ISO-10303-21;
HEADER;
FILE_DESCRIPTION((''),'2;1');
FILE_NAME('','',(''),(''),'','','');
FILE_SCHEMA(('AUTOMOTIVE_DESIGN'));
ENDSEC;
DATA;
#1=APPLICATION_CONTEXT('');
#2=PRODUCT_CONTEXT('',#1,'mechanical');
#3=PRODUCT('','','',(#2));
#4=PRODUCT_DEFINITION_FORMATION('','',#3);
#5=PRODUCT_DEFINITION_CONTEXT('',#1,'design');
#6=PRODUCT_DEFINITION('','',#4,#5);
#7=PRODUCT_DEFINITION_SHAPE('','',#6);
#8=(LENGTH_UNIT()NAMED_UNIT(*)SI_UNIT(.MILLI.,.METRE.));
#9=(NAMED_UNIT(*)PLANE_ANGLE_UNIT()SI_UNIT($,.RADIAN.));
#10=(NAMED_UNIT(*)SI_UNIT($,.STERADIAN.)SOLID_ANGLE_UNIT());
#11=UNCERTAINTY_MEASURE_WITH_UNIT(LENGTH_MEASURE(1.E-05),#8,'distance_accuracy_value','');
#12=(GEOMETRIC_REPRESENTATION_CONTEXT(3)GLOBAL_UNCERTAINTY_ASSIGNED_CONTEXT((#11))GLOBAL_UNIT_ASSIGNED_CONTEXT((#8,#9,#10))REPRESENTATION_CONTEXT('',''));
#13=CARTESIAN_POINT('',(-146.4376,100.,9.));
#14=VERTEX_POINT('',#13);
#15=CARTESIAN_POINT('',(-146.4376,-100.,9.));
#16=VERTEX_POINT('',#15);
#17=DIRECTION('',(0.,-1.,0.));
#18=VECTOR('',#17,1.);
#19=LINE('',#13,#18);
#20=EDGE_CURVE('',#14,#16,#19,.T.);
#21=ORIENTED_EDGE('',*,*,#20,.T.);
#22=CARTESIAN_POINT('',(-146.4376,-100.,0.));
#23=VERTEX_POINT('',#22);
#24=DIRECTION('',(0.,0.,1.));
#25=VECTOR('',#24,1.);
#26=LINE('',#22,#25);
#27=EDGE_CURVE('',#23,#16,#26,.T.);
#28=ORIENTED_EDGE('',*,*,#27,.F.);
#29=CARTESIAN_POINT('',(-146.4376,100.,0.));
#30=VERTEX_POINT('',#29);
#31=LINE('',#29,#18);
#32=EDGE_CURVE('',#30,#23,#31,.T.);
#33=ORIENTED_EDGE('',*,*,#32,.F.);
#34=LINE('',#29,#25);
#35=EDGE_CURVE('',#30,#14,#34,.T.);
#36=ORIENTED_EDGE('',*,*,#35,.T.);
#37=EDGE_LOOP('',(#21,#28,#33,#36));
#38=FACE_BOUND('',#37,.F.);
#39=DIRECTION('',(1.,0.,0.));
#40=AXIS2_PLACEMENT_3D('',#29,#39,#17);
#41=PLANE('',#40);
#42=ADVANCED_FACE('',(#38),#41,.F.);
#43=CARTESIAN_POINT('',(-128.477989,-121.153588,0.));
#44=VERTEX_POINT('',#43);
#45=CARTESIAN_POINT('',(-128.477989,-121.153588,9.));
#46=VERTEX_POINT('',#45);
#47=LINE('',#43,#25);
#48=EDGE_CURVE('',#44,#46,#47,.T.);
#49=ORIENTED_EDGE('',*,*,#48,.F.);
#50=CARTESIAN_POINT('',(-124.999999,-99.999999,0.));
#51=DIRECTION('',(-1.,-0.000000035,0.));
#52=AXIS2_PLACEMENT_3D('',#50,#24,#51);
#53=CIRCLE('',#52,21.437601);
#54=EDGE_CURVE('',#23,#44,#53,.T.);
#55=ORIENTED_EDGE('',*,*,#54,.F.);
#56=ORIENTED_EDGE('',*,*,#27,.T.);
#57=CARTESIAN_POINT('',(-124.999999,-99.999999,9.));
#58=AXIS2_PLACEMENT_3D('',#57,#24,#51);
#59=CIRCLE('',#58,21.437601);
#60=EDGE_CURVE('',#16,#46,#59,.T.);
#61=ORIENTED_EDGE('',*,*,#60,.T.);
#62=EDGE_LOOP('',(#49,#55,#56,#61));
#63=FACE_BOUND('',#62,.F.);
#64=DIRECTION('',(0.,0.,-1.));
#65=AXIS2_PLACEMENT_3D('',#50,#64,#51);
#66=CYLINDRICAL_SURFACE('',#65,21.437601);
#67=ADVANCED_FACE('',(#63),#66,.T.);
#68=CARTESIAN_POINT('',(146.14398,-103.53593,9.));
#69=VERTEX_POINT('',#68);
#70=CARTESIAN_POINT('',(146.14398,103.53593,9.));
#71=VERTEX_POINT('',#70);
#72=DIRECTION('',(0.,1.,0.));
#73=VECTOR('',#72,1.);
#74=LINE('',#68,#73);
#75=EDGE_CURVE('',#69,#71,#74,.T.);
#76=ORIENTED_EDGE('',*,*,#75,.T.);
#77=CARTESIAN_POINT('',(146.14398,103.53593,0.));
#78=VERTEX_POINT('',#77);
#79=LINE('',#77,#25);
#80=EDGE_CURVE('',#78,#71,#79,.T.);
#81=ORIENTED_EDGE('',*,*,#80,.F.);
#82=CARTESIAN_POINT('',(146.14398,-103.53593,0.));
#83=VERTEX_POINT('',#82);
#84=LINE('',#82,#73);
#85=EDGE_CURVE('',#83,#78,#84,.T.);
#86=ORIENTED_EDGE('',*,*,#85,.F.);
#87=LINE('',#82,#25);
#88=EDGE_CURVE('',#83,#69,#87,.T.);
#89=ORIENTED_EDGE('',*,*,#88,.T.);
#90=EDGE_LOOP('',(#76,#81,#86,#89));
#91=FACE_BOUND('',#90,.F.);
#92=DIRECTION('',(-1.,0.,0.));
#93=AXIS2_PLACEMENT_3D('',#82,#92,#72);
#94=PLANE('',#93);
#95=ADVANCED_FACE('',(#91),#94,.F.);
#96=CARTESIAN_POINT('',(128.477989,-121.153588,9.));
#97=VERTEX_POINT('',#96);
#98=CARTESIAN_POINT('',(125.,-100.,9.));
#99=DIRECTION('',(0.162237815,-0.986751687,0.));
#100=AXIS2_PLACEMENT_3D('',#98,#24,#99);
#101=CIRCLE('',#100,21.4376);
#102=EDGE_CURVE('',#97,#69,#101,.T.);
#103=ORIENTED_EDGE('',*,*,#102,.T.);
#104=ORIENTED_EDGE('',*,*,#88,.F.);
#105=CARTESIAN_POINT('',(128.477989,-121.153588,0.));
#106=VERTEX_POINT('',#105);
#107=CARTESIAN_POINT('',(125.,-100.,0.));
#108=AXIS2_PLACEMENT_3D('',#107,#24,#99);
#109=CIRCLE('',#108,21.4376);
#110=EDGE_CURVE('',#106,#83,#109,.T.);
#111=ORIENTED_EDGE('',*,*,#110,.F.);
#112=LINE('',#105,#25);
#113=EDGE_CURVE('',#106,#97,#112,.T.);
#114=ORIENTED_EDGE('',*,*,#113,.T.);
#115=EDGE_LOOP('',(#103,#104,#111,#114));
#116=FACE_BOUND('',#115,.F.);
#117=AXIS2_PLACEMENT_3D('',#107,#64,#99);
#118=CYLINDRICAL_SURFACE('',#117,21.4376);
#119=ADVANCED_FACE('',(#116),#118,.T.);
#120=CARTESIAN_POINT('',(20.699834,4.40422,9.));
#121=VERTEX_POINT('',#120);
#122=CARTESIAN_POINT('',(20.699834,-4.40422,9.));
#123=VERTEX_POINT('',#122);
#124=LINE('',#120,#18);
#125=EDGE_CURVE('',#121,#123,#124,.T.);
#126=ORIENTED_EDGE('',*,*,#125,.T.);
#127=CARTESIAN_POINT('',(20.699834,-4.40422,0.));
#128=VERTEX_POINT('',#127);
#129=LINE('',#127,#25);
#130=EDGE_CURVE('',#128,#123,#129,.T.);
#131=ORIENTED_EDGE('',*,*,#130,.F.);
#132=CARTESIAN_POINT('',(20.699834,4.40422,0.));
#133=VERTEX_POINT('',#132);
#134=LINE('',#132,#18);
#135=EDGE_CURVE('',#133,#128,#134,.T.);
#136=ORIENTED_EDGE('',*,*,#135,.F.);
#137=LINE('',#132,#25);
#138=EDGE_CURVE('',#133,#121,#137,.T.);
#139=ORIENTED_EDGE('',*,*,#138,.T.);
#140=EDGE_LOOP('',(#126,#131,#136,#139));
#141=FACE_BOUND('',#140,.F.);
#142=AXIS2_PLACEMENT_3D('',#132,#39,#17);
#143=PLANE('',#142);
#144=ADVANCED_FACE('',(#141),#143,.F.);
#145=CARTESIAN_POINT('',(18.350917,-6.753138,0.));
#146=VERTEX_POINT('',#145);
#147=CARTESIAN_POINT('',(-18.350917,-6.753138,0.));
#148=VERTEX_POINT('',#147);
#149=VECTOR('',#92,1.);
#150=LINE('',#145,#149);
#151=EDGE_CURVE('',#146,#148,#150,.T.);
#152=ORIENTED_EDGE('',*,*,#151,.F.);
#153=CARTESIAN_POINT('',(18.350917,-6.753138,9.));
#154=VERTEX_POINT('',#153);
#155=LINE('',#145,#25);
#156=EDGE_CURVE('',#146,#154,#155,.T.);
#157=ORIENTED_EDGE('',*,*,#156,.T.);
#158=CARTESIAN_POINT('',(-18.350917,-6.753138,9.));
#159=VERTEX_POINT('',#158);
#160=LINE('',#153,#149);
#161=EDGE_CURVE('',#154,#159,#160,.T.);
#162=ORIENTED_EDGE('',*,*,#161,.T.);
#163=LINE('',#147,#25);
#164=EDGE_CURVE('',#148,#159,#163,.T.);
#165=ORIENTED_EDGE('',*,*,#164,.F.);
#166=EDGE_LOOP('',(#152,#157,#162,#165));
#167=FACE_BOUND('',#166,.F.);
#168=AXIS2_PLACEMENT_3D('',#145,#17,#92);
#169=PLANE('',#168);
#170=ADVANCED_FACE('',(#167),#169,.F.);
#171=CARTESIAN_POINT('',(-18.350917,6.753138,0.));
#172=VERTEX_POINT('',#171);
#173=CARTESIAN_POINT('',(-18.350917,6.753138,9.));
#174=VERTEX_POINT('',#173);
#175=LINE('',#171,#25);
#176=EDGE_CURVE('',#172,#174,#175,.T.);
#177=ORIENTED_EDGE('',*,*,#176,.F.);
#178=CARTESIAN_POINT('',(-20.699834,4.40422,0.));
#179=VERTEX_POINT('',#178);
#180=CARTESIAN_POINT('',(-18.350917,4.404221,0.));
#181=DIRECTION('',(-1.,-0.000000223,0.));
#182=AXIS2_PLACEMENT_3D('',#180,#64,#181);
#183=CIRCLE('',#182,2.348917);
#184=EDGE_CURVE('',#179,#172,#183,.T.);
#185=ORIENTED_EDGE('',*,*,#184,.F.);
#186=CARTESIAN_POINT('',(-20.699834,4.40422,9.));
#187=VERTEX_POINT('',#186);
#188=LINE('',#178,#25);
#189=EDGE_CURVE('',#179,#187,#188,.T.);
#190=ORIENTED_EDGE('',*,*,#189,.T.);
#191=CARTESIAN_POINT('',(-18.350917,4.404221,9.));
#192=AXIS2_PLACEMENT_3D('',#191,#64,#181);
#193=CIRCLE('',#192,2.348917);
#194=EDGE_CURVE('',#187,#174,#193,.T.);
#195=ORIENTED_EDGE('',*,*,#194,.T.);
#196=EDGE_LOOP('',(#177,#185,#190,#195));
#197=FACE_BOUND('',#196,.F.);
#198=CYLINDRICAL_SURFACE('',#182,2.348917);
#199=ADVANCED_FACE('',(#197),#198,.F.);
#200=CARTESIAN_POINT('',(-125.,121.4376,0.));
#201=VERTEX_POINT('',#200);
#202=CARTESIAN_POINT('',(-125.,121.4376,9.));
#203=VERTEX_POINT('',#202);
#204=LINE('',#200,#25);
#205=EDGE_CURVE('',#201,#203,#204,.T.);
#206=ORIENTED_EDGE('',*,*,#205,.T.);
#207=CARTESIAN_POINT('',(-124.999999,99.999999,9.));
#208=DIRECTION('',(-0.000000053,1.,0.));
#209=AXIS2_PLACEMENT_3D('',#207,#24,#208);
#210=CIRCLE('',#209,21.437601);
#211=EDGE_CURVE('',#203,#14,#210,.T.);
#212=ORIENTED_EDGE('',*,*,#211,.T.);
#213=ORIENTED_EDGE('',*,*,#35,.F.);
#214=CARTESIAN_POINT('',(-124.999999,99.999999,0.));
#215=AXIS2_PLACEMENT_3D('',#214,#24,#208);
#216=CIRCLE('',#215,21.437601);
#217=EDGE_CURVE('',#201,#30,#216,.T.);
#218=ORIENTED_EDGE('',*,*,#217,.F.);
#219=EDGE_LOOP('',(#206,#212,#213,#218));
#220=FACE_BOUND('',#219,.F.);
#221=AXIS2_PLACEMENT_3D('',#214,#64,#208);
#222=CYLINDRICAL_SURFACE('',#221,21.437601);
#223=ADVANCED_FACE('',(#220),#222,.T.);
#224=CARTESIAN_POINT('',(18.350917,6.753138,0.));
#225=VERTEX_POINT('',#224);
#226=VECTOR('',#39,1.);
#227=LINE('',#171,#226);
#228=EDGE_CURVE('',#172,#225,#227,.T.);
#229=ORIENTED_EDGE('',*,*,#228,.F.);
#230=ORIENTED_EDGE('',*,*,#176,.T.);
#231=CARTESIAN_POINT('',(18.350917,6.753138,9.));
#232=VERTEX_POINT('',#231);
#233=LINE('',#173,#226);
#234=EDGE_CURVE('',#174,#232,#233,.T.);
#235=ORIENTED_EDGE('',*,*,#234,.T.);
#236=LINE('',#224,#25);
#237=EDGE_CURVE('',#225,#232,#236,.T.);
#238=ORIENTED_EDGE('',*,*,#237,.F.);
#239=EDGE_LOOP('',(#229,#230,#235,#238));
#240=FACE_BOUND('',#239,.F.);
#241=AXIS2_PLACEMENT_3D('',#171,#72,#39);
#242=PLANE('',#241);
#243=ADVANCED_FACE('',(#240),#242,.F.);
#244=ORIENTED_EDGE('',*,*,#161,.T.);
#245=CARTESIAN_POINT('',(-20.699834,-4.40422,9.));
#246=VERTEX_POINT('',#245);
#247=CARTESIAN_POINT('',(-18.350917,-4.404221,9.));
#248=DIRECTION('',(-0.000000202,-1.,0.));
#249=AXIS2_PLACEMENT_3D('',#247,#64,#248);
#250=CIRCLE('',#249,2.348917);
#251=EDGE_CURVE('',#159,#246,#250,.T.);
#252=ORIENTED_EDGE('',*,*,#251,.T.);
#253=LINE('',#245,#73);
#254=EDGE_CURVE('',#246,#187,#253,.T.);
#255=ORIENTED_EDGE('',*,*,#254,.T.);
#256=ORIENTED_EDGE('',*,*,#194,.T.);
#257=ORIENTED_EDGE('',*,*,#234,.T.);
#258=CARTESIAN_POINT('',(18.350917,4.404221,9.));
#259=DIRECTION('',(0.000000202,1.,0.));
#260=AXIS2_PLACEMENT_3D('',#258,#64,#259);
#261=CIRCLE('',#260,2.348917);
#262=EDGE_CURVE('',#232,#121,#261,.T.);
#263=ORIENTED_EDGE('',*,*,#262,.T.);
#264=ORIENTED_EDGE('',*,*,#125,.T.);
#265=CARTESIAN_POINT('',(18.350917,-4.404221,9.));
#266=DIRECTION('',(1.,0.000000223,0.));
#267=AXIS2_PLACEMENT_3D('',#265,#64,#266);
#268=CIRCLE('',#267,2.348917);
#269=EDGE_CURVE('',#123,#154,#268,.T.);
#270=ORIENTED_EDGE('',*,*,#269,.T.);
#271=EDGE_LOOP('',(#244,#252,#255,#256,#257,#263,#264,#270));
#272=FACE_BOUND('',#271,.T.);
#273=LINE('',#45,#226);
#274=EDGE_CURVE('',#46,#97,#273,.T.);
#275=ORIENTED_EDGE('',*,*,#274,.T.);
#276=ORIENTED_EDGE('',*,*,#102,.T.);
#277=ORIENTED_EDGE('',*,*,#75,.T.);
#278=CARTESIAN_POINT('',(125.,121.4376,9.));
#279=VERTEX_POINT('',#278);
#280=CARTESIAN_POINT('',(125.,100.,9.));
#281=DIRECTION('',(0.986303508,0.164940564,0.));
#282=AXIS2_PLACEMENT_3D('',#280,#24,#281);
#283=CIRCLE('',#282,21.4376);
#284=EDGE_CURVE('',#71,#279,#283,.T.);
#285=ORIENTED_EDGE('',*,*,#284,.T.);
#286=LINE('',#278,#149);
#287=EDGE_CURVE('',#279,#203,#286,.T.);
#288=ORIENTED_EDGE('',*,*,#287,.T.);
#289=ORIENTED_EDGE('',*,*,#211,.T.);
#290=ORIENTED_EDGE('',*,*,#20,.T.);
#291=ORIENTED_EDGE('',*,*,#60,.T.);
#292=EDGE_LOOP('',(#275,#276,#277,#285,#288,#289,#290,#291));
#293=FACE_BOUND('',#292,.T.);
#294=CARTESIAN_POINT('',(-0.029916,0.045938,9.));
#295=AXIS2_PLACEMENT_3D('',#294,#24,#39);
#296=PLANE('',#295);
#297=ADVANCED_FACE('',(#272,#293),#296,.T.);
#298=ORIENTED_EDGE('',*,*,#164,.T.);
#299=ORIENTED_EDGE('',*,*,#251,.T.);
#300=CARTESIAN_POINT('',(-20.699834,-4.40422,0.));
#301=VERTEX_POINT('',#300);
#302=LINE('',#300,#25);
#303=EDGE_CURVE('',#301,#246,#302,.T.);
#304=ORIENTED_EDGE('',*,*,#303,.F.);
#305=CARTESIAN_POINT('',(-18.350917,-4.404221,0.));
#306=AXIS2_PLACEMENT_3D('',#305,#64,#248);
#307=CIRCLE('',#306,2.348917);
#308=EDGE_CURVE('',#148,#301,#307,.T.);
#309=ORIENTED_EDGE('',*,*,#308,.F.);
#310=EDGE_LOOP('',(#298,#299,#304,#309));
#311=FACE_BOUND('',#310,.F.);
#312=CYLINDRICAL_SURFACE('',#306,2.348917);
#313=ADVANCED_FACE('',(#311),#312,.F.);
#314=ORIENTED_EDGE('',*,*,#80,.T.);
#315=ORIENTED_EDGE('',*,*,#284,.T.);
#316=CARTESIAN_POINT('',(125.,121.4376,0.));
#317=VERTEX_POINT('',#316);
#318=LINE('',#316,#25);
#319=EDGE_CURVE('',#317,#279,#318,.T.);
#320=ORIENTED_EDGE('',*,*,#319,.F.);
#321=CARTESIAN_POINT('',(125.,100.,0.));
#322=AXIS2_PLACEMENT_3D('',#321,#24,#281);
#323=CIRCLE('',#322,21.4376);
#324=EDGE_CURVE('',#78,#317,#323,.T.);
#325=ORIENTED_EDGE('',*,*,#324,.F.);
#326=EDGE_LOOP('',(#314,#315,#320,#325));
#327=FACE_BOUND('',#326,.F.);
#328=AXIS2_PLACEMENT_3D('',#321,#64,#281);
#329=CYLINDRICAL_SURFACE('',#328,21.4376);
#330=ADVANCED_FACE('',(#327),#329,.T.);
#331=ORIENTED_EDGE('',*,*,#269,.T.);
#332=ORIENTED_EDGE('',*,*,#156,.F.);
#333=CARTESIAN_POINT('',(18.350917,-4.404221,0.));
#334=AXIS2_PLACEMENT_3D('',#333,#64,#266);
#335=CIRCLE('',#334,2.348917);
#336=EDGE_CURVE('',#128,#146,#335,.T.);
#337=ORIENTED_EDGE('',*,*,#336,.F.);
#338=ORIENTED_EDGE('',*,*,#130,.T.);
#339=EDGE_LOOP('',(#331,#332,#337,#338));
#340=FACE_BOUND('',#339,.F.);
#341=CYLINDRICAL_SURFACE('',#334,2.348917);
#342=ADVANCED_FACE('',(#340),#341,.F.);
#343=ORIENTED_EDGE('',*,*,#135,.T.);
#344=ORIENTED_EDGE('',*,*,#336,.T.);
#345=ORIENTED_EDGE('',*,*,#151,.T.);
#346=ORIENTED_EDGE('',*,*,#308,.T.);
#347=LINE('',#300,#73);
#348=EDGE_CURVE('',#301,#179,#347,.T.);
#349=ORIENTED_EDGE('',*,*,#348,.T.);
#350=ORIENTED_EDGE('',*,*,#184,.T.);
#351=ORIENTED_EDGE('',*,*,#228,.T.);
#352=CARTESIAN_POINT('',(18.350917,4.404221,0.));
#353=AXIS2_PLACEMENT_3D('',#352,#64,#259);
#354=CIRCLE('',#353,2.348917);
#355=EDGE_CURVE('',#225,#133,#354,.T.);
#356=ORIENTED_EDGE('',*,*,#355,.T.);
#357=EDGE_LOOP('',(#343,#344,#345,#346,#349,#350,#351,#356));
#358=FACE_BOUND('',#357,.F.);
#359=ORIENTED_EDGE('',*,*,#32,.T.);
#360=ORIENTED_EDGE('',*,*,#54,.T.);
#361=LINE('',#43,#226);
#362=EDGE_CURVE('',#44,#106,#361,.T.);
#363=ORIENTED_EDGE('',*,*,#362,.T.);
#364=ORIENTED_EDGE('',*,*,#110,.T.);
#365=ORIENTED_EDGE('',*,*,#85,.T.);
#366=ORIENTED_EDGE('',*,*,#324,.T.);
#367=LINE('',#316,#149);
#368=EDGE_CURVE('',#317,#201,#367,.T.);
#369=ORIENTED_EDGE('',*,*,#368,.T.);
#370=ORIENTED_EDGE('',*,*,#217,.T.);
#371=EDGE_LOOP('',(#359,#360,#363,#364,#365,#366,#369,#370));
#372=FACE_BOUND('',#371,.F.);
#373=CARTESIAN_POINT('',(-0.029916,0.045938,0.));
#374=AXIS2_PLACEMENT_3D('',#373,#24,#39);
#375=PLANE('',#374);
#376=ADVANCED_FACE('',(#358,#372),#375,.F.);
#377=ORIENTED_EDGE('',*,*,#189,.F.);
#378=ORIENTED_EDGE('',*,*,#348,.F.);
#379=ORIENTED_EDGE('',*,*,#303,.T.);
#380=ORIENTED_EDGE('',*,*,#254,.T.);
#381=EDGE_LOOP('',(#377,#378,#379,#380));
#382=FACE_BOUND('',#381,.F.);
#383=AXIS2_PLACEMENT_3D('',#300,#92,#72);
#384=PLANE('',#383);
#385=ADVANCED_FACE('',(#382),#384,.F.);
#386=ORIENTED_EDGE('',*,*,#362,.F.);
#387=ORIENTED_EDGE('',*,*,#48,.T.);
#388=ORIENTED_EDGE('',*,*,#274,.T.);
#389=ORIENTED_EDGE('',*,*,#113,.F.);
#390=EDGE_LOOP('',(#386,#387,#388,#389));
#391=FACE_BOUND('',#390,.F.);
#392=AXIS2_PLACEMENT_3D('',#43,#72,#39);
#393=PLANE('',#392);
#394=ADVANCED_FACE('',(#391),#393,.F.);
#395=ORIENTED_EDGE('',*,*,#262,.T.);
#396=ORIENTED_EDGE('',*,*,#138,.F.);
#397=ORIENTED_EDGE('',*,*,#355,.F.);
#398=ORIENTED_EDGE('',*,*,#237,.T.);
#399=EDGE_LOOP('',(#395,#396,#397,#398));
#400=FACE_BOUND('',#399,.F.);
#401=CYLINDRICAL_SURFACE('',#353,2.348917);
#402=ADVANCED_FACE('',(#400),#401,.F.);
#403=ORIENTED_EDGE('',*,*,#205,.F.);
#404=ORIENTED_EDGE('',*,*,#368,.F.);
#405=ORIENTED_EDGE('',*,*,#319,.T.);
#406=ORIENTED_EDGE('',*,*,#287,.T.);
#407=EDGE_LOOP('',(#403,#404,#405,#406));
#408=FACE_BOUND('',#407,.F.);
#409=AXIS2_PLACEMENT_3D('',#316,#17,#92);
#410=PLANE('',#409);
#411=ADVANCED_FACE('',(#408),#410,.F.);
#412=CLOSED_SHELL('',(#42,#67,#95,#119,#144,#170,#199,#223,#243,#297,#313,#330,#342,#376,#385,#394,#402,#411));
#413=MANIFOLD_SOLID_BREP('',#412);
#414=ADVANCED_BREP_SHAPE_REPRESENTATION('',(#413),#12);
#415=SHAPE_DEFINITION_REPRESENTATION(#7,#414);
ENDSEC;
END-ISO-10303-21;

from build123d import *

# Parameters (mm, degrees)
F1_DEPTH = 9


with BuildPart() as f1:
    # F0 (on Top) → F1 (new body)
    with BuildSketch(Plane.XY):
        with BuildLine():
            Line((125, 121.4376), (-125, 121.4376))
            ThreePointArc((-125, 121.4376), (-140.158672, 115.158672), (-146.4376, 100))
            Line((-146.4376, 100), (-146.4376, -100))
            ThreePointArc((-146.4376, -100), (-141.34213, -113.874634), (-128.477989, -121.153588))
            Line((-128.477989, -121.153588), (128.477989, -121.153588))
            ThreePointArc((128.477989, -121.153588), (140.137893, -115.179423), (146.14398, -103.53593))
            Line((146.14398, -103.53593), (146.14398, 103.53593))
            ThreePointArc((146.14398, 103.53593), (138.852235, 116.361121), (125, 121.4376))
        make_face()
        with BuildLine():
            Line((-20.699834, -4.40422), (-20.699834, 0))
            Line((-20.699834, 0), (-20.699834, 4.40422))
            ThreePointArc((-20.699834, 4.40422), (-20.011852, 6.065156), (-18.350917, 6.753138))
            Line((-18.350917, 6.753138), (18.350917, 6.753138))
            ThreePointArc((18.350917, 6.753138), (20.011852, 6.065156), (20.699834, 4.40422))
            Line((20.699834, 4.40422), (20.699834, 0))
            Line((20.699834, 0), (20.699834, -4.40422))
            ThreePointArc((20.699834, -4.40422), (20.011852, -6.065156), (18.350917, -6.753138))
            Line((18.350917, -6.753138), (-18.350917, -6.753138))
            ThreePointArc((-18.350917, -6.753138), (-20.011852, -6.065156), (-20.699834, -4.40422))
        make_face(mode=Mode.SUBTRACT)
    extrude(amount=F1_DEPTH)


solid = f1.part
